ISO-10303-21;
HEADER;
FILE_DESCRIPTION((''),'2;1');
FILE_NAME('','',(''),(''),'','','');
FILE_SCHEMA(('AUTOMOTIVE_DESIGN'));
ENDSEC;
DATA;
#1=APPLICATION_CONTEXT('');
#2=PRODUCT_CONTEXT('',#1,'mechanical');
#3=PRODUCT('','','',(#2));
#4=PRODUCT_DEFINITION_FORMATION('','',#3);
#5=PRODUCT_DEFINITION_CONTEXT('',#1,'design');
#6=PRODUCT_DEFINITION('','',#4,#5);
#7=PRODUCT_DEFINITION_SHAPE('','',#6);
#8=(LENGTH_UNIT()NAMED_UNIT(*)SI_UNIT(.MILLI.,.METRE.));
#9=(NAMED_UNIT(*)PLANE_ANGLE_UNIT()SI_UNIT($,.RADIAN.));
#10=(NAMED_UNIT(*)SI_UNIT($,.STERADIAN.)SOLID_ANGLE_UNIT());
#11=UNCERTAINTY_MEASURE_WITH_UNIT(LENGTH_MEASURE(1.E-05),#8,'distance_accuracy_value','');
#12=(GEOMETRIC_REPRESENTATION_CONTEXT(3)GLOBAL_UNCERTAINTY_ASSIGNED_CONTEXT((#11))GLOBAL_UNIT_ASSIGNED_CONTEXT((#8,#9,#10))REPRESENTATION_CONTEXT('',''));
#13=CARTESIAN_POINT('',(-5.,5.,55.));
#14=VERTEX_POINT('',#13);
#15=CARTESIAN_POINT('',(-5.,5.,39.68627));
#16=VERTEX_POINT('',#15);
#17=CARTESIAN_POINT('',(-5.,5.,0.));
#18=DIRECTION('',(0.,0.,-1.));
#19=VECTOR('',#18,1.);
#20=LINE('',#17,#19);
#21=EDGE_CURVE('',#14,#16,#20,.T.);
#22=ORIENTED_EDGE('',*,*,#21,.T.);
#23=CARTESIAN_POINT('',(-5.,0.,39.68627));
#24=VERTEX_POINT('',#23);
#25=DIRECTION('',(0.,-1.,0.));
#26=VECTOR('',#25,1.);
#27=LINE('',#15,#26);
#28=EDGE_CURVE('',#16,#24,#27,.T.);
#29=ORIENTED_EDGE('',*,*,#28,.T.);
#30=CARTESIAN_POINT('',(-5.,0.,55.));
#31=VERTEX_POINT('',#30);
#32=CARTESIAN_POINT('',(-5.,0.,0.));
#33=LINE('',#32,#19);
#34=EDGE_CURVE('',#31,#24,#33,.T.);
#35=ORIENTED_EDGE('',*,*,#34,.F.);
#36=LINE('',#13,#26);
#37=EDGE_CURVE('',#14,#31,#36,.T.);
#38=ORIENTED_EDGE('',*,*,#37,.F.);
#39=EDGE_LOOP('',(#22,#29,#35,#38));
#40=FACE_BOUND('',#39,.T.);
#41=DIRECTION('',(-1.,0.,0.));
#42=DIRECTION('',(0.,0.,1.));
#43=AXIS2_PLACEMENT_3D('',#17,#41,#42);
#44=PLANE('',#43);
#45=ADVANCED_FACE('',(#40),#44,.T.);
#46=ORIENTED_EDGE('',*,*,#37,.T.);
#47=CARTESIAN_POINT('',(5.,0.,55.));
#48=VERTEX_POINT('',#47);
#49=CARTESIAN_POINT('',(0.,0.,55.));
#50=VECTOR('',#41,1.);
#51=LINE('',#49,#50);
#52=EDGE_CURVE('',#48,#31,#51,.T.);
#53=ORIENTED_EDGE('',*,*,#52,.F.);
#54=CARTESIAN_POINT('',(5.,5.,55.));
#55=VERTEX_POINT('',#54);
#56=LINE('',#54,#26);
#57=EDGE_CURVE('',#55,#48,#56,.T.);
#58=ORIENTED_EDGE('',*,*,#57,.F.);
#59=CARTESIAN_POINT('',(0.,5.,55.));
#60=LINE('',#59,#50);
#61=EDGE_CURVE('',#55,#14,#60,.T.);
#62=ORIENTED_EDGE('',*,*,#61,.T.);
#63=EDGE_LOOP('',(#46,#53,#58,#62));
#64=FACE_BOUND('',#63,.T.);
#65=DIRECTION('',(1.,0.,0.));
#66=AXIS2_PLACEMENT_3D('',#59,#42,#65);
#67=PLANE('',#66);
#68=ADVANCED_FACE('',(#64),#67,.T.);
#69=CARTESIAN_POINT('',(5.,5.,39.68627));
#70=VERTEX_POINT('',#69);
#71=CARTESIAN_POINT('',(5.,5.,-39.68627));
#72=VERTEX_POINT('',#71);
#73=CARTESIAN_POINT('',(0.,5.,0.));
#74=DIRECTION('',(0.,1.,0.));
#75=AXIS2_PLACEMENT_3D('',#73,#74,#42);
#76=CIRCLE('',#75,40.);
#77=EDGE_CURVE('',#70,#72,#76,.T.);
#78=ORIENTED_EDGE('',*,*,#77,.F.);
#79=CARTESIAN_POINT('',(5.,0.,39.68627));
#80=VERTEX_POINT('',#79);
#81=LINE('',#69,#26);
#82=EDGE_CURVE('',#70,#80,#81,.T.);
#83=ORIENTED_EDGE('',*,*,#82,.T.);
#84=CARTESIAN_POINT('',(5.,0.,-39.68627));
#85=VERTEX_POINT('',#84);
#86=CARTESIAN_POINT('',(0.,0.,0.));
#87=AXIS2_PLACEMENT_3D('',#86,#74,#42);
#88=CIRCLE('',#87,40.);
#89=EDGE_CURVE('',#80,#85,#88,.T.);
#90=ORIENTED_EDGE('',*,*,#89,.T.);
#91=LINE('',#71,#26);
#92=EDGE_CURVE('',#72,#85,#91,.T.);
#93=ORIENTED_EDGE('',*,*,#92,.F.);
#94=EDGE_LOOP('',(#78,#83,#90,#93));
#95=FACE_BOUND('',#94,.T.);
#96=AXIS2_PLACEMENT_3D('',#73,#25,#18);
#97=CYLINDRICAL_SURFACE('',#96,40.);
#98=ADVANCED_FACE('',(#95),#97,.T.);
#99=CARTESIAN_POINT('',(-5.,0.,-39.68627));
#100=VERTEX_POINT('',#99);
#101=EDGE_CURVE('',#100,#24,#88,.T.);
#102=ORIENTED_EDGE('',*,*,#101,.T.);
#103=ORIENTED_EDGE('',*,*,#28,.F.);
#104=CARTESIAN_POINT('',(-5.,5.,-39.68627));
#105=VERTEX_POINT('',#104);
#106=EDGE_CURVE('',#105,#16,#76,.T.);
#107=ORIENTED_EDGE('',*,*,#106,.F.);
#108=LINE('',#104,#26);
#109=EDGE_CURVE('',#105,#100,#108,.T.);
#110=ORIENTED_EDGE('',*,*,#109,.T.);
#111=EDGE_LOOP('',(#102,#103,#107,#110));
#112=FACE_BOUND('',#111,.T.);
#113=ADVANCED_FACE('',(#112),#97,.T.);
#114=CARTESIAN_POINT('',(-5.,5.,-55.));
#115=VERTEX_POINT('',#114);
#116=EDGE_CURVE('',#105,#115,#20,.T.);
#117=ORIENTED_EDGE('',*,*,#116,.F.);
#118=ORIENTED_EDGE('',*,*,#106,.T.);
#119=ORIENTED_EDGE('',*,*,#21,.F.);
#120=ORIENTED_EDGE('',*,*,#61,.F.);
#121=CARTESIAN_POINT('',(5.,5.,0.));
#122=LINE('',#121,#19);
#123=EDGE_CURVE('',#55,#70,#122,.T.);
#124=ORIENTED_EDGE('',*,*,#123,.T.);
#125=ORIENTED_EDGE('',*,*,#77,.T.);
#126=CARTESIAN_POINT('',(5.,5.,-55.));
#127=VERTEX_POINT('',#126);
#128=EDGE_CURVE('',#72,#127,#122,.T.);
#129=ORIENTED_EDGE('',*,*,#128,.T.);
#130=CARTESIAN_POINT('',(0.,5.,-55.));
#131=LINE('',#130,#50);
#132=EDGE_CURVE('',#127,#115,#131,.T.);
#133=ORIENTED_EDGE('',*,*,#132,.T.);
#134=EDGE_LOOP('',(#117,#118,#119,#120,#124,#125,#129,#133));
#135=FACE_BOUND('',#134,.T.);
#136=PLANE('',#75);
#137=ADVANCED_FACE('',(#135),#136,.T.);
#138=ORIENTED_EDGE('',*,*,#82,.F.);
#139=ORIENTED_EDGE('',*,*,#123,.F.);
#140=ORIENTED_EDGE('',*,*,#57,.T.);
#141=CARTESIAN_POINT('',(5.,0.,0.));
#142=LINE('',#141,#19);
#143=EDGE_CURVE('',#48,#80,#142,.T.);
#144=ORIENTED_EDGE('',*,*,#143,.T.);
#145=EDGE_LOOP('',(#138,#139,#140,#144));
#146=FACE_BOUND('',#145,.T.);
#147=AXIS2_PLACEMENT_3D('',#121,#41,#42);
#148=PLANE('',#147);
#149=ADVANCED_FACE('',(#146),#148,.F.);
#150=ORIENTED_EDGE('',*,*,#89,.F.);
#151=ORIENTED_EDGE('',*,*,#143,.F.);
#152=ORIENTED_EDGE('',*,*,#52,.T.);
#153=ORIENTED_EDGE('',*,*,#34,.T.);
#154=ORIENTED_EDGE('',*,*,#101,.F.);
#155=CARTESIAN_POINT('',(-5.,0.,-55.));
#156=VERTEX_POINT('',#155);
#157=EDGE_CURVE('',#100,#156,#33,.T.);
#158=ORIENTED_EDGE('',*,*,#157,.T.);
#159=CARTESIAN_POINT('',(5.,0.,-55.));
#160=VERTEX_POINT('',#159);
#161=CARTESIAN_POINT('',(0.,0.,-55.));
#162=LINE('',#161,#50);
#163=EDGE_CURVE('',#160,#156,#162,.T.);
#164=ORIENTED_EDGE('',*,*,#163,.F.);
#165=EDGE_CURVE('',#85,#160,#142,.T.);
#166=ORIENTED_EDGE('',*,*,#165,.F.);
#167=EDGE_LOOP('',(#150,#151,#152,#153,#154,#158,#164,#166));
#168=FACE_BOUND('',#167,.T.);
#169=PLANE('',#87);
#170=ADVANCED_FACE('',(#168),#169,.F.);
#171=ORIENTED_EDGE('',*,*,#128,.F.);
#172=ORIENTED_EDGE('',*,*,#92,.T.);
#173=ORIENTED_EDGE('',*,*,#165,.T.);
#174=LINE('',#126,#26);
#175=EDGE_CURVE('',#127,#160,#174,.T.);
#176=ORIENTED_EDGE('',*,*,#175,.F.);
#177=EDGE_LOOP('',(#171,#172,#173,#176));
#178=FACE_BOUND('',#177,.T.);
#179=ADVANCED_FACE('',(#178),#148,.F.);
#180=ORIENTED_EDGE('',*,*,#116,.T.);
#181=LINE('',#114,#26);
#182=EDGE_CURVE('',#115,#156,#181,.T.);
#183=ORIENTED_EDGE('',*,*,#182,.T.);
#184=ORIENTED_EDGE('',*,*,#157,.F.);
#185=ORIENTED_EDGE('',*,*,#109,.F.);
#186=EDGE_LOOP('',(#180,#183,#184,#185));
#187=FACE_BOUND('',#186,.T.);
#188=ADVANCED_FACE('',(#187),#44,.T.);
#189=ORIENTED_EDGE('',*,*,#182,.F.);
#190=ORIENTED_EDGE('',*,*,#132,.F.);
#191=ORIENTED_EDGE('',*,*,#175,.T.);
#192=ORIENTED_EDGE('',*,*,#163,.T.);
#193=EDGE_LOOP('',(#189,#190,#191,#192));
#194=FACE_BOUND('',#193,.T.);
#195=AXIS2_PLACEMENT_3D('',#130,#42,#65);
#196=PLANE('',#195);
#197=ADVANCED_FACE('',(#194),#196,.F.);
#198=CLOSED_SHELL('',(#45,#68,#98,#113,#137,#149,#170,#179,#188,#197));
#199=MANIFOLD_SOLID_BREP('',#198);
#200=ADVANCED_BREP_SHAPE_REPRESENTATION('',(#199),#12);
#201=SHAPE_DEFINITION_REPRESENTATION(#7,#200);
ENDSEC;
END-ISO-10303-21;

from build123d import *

# Parameters (mm, degrees)
BOSS_EXTRUDE1_DEPTH = 5


with BuildPart() as part:
    # Sketch1 → Boss-Extrude1 (new body)
    with BuildSketch(Plane(origin=(0, 0, 0), x_dir=(1, 0, 0), z_dir=(0, 1, 0))):
        with BuildLine():
            ThreePointArc((-5, 39.686269666), (-40, 0), (-5, -39.686269666))
            Line((-5, -39.686269666), (-5, 39.686269666))
        make_face()
        with BuildLine():
            ThreePointArc((-5, 39.686269666), (0, 40), (5, 39.686269666))
            Line((5, 39.686269666), (5, 55))
            Line((5, 55), (-5, 55))
            Line((-5, 55), (-5, 39.686269666))
        make_face()
        with BuildLine():
            Line((5, 39.686269666), (5, -39.686269666))
            ThreePointArc((5, -39.686269666), (30, -26.457513111), (40, 0))
            ThreePointArc((40, 0), (30, 26.457513111), (5, 39.686269666))
        make_face()
        with BuildLine():
            ThreePointArc((-5, -39.686269666), (0, -40), (5, -39.686269666))
            Line((5, -39.686269666), (5, 39.686269666))
            ThreePointArc((5, 39.686269666), (0, 40), (-5, 39.686269666))
            Line((-5, 39.686269666), (-5, -39.686269666))
        make_face()
        with BuildLine():
            Line((-5, -55), (5, -55))
            Line((5, -55), (5, -39.686269666))
            ThreePointArc((5, -39.686269666), (0, -40), (-5, -39.686269666))
            Line((-5, -39.686269666), (-5, -55))
        make_face()
    extrude(amount=BOSS_EXTRUDE1_DEPTH)


solid = part.part
